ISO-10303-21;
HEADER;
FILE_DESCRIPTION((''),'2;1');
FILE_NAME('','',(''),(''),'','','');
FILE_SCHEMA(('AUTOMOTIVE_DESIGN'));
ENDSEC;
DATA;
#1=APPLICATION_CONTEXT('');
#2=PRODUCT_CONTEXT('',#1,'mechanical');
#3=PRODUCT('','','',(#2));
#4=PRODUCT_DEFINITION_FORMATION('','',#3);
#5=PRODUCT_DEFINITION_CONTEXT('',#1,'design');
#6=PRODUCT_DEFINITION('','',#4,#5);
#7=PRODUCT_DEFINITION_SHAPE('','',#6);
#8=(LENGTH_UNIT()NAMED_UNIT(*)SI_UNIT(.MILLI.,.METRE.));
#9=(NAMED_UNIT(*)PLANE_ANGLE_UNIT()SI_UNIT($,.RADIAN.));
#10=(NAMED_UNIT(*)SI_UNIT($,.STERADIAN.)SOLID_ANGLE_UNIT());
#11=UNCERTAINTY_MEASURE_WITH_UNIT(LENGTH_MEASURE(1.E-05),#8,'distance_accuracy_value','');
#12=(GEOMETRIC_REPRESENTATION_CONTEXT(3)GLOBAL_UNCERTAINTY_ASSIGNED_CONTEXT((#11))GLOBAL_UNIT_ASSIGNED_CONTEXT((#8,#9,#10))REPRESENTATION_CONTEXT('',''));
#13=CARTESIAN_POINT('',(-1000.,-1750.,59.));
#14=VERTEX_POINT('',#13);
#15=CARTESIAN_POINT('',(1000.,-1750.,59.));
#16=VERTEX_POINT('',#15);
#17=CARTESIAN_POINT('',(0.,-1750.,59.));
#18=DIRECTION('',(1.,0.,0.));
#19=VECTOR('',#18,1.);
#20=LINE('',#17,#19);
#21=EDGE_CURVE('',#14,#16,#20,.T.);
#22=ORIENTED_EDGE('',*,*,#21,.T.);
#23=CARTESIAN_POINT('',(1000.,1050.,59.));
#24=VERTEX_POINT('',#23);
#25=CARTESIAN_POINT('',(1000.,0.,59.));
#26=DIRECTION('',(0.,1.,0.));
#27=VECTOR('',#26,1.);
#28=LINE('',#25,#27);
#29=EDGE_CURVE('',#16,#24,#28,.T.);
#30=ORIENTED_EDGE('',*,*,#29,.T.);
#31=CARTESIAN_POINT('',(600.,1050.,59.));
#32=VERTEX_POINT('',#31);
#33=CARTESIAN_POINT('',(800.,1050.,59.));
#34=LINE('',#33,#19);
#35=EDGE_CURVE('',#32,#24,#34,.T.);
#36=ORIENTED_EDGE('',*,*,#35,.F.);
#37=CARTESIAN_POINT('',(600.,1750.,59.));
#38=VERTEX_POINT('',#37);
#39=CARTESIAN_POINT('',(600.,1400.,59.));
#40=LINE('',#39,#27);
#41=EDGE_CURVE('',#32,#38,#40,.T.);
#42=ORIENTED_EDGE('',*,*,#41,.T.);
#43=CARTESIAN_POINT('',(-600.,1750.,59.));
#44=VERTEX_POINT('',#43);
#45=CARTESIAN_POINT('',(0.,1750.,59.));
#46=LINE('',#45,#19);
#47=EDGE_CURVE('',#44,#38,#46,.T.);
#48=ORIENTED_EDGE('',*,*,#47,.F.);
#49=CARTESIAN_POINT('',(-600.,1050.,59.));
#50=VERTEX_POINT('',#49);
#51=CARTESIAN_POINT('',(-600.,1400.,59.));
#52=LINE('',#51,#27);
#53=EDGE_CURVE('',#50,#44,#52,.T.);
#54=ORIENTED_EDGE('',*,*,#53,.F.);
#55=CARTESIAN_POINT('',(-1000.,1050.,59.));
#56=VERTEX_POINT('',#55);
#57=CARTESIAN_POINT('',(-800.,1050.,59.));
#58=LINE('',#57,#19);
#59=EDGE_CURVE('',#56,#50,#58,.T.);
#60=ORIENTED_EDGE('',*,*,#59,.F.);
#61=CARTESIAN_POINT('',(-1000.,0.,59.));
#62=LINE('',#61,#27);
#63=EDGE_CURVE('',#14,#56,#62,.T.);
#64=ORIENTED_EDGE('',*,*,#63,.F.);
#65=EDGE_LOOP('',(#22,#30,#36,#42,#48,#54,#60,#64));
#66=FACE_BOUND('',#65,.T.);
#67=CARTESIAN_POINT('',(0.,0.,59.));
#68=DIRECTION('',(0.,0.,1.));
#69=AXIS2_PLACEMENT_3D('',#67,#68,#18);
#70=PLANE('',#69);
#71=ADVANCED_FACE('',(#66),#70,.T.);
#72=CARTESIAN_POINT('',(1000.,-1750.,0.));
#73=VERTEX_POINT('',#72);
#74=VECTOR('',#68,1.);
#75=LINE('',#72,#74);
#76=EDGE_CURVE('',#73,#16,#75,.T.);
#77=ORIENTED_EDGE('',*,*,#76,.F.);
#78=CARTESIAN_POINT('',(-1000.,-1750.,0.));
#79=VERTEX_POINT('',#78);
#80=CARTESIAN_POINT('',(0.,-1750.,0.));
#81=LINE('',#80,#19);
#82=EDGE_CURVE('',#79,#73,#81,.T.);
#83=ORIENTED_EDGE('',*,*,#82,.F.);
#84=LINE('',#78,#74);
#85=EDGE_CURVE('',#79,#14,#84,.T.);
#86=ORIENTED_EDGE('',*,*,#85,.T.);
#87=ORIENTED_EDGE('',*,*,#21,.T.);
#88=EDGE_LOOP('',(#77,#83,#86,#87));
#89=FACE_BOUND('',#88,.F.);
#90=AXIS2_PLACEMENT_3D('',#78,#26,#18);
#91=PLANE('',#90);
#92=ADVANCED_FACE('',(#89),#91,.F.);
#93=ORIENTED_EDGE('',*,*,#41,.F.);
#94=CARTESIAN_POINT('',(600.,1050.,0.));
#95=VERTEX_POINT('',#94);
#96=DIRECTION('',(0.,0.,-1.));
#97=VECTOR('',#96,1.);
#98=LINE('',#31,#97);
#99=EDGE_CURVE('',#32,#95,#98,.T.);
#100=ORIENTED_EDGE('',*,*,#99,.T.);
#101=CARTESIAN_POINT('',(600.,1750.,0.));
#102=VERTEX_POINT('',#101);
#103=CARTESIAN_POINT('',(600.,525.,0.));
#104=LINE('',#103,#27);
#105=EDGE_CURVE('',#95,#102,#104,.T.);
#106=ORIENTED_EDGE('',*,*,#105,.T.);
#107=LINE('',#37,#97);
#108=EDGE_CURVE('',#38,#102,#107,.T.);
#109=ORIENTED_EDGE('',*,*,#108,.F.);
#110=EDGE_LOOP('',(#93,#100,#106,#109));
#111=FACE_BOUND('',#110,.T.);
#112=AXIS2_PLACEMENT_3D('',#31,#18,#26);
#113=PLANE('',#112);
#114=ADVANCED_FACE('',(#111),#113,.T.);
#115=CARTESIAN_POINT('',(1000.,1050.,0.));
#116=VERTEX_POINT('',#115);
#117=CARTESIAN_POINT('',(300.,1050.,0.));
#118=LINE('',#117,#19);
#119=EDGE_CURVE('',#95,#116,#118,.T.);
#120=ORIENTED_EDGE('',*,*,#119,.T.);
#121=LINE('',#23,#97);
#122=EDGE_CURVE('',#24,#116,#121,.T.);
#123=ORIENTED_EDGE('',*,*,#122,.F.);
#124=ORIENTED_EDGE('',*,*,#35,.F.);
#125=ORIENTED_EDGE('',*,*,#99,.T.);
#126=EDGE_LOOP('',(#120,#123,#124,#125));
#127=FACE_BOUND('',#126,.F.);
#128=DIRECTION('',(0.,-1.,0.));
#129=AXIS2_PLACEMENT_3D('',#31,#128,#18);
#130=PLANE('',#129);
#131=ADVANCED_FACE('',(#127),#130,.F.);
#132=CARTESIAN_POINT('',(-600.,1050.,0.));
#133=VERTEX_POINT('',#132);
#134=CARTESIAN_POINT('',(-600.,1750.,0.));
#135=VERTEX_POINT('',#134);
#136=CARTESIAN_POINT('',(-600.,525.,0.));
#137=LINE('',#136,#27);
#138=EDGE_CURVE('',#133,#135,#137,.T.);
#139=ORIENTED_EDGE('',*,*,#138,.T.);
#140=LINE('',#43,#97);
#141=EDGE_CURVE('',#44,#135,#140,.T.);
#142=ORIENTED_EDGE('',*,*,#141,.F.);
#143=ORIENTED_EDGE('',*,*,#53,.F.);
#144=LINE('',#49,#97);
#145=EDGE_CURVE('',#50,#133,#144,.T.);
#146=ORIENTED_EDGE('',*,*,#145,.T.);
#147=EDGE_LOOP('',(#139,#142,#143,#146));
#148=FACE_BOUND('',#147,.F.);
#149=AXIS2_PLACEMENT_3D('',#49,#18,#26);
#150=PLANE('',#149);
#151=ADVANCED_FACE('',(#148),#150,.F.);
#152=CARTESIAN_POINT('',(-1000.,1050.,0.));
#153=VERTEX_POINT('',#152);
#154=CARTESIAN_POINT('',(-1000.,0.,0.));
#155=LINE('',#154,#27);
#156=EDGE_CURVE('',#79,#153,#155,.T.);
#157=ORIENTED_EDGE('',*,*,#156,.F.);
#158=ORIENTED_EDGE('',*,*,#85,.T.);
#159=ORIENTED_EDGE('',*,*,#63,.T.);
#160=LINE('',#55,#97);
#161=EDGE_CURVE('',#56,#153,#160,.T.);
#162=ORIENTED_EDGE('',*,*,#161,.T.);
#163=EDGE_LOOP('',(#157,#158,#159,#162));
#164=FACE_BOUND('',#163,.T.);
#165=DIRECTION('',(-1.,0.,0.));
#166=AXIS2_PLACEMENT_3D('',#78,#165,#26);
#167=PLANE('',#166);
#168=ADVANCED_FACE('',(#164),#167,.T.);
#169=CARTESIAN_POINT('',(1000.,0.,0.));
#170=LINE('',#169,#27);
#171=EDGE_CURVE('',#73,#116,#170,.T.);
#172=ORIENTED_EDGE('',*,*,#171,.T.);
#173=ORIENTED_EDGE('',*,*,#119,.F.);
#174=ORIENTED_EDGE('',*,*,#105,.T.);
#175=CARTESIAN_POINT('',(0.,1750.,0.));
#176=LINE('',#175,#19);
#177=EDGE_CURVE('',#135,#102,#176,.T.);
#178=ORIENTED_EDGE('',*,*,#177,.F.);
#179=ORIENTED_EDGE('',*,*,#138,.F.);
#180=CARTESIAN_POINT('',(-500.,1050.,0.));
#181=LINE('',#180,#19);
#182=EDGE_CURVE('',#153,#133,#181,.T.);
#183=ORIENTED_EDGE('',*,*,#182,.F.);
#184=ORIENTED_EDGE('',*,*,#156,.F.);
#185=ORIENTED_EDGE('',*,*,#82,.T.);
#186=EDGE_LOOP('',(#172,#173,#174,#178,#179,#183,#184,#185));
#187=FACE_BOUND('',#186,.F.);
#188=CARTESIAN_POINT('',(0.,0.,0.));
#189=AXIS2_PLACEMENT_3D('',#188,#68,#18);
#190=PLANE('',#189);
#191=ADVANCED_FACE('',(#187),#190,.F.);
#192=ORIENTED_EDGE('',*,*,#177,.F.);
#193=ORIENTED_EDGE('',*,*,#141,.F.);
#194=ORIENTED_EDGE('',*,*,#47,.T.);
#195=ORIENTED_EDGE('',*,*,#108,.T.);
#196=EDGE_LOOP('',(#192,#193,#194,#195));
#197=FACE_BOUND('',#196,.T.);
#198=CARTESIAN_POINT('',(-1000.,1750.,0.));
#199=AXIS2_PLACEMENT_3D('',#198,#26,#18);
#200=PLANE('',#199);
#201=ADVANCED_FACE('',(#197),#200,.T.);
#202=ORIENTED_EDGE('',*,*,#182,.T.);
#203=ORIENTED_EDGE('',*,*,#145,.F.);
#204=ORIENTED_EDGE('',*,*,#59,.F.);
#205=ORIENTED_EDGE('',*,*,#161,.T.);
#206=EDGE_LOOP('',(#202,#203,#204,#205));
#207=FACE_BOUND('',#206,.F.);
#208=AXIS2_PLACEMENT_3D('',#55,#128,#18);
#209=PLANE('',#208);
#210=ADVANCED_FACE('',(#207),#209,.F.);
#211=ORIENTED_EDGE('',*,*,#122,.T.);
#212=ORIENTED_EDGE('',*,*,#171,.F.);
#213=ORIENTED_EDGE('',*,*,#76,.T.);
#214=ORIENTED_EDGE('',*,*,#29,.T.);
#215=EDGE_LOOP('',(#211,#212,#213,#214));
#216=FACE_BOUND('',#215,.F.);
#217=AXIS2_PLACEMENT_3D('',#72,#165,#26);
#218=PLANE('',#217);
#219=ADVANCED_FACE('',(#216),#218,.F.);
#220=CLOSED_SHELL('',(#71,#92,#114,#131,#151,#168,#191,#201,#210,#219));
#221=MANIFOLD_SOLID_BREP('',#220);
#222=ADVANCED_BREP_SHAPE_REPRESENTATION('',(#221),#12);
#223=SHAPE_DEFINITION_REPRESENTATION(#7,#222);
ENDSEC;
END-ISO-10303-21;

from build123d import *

# Parameters (mm, degrees)
F0_W     = 2000
F0_H     = 3500
F1_DEPTH = 59
F2_W     = 400
F2_H     = 700
F3_DEPTH = 59.001


with BuildPart() as f1:
    # F0 (on Top) → F1 (new body)
    with BuildSketch(Plane.XY):
        Rectangle(F0_W, F0_H)
    extrude(amount=F1_DEPTH)

    # F2 (on face) → F3 (cut, through all)
    with BuildSketch(Plane.XY.offset(59)):
        with Locations((-800, 1400)):
            Rectangle(F2_W, F2_H)
        with Locations((800, 1400)):
            Rectangle(F2_W, F2_H)
    extrude(amount=-F3_DEPTH, mode=Mode.SUBTRACT)


solid = f1.part
